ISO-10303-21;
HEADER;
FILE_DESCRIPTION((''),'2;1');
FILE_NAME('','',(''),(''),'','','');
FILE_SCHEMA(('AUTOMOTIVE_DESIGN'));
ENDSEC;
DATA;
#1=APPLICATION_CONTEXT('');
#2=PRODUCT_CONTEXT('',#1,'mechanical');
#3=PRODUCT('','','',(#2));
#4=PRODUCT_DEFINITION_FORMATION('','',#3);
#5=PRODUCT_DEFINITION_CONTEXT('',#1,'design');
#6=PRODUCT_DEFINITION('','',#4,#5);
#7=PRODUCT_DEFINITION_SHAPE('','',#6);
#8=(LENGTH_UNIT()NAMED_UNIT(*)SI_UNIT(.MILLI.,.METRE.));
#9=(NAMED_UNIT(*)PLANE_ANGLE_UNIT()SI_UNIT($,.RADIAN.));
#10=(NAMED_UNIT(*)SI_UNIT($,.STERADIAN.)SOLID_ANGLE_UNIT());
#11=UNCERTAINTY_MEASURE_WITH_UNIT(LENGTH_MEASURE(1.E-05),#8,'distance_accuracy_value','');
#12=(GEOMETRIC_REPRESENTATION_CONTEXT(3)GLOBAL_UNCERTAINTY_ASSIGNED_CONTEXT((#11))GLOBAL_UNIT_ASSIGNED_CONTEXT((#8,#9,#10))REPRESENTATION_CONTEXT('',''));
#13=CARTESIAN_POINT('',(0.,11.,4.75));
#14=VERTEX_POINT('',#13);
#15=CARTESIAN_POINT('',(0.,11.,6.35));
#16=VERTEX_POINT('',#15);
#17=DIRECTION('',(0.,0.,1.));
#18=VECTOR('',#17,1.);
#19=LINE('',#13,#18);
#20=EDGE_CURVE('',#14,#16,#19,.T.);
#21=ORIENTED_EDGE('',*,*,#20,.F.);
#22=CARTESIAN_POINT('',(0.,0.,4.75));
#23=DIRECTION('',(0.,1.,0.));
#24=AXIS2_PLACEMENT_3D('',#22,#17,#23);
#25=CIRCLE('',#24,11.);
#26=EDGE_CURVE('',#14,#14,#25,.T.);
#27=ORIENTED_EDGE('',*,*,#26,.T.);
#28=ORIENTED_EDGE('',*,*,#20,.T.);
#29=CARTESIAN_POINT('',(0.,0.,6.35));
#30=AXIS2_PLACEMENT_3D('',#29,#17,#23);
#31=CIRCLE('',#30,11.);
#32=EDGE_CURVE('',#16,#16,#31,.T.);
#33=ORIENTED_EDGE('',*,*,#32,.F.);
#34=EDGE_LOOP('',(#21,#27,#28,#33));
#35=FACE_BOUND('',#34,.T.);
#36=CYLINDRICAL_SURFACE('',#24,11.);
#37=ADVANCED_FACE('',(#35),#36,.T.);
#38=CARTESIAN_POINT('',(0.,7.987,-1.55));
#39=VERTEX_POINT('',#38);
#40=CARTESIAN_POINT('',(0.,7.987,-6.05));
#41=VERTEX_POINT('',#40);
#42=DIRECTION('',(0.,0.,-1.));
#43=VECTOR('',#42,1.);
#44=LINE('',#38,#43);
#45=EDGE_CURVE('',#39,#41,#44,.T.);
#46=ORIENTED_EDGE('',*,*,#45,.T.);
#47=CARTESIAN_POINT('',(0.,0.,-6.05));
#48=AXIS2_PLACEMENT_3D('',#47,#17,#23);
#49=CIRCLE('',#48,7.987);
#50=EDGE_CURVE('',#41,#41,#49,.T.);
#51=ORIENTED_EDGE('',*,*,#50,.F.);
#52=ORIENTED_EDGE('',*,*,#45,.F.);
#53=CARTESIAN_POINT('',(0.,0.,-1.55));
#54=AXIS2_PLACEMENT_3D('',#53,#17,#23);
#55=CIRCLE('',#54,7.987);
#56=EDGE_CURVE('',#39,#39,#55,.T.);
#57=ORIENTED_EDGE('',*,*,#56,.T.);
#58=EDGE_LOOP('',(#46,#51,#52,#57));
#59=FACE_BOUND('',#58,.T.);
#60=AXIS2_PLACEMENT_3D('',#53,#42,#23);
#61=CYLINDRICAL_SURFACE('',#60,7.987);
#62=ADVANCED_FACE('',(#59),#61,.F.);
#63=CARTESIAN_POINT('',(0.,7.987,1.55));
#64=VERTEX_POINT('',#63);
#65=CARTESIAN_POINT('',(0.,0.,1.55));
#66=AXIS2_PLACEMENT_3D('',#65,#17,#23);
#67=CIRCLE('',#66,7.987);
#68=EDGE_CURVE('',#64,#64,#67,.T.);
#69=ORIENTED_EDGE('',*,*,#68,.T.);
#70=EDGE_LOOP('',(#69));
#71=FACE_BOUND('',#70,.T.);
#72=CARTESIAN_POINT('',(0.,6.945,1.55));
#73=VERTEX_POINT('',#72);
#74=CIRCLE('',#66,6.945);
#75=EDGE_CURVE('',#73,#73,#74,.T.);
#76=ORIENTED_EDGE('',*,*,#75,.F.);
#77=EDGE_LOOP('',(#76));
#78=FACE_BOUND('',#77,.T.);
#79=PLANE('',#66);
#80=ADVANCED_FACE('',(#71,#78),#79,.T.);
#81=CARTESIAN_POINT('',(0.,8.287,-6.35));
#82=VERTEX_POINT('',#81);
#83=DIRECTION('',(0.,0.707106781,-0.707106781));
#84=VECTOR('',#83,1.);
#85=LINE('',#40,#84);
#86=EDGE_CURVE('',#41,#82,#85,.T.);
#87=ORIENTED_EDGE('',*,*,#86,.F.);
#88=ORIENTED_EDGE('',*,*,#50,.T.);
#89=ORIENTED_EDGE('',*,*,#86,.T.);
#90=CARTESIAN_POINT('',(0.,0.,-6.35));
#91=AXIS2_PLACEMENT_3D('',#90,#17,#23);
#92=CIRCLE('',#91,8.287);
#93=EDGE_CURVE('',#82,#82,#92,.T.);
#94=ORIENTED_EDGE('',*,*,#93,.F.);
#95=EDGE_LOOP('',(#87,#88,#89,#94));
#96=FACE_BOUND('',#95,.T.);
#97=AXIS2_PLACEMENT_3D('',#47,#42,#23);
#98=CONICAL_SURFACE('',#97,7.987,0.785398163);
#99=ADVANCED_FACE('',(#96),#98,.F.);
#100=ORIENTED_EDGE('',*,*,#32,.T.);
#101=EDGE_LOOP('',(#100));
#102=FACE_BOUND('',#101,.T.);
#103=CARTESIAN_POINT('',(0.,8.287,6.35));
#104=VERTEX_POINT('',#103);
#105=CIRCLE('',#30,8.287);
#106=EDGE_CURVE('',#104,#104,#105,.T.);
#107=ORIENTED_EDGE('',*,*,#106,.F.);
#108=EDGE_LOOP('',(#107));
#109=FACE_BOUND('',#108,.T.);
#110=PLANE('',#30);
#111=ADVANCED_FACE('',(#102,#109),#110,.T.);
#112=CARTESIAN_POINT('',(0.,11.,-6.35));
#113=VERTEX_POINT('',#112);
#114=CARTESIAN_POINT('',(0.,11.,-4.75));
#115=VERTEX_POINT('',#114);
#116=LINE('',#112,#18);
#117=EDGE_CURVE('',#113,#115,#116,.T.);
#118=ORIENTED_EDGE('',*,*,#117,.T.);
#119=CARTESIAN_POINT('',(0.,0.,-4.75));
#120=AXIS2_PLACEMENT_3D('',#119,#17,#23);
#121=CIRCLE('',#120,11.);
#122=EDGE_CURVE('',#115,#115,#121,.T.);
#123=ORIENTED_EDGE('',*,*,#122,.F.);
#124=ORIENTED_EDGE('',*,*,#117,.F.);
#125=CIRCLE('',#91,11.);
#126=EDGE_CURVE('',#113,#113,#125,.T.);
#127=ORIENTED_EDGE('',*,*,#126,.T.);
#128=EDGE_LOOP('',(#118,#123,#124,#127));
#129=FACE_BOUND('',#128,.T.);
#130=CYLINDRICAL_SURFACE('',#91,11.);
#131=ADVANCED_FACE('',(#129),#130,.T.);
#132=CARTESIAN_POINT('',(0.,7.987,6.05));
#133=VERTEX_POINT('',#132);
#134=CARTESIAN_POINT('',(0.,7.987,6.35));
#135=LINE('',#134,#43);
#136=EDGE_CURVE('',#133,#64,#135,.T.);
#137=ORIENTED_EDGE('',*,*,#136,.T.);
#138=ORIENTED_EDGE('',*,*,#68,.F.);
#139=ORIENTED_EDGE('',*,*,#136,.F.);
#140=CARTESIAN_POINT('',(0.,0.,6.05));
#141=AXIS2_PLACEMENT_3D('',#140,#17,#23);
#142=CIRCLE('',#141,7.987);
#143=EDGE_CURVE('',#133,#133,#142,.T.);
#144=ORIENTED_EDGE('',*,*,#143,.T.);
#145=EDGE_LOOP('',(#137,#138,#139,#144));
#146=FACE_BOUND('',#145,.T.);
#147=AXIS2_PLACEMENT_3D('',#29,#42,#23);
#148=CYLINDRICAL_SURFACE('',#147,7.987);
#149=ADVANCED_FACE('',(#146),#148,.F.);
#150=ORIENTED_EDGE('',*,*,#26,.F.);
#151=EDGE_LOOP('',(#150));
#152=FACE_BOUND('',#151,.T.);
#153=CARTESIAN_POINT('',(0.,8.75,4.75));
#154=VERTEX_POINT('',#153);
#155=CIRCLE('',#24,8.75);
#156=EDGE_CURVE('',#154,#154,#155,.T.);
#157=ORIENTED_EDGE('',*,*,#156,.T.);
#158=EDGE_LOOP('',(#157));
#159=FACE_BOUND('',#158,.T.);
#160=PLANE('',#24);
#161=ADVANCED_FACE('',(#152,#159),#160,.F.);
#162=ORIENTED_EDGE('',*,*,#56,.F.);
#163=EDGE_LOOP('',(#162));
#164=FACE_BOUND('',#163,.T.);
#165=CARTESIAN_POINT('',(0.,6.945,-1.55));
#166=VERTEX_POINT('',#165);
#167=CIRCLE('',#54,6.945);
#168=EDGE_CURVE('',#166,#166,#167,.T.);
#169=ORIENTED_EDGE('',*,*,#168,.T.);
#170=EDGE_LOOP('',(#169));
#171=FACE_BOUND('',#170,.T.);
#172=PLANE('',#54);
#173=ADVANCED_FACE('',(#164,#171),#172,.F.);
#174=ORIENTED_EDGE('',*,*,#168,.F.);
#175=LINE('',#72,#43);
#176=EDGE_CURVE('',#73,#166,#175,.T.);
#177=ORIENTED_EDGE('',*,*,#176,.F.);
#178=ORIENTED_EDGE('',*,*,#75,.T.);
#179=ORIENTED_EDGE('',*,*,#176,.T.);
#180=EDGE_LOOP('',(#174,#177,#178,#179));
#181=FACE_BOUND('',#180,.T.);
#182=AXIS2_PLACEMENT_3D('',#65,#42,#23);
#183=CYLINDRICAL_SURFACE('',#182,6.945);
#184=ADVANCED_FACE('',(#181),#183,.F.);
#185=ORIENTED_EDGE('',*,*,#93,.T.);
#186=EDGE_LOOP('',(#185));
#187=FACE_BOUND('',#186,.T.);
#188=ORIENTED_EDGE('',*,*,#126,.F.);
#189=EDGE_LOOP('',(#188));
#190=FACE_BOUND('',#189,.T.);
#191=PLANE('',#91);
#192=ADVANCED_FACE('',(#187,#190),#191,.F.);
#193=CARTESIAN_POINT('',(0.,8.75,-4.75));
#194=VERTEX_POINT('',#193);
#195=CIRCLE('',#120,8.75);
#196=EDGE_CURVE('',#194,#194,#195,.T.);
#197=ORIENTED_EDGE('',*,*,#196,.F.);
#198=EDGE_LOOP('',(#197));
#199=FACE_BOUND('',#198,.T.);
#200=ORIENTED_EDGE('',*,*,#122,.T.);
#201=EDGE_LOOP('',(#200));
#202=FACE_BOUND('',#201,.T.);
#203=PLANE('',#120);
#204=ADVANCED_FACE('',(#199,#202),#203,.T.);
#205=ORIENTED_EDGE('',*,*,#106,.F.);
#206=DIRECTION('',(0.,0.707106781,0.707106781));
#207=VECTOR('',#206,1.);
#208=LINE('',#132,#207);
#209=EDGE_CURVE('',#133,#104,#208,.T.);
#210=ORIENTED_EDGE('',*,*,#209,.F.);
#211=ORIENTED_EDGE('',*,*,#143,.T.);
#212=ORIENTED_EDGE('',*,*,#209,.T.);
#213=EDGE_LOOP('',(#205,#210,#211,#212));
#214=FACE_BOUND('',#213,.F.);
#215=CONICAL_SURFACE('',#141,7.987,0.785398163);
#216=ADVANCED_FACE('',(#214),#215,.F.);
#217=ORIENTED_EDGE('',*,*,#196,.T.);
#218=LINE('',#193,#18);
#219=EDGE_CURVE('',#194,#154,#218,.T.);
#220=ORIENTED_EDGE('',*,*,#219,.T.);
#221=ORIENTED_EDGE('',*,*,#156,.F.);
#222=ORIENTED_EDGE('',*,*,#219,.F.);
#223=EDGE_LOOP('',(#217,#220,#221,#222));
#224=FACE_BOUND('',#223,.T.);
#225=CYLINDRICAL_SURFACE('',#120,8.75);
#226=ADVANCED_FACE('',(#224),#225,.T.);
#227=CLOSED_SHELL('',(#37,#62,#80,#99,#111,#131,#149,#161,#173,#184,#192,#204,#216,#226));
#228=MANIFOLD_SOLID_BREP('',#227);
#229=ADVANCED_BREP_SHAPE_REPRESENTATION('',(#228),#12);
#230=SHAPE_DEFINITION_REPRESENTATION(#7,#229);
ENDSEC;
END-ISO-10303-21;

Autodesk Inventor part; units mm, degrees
ref_plane "YZ Plane" through (0, 0, 0) normal (1, 0, 0) x (0, 1, 0)
ref_plane "XZ Plane" through (0, 0, 0) normal (0, 1, 0) x (-1, 0, 0)
ref_plane "XY Plane" through (0, 0, 0) normal (0, 0, 1) x (1, 0, 0)
sketch "Sketch1" plane through (0, 0, 0) normal (1, 0, 0) x (0, 1, 0)
  line L0 (7.987, -6.35) -> (11, -6.35)
  line L1 (11, -6.35) -> (11, -4.75)
  line L2 (11, -4.75) -> (8.75, -4.75)
  line L3 (8.75, -4.75) -> (8.75, 4.75)
  line L4 (8.75, 4.75) -> (11, 4.75)
  line L5 (11, 4.75) -> (11, 6.35)
  line L6 (11, 6.35) -> (7.987, 6.35)
  line L7 (7.987, 6.35) -> (7.987, 1.55)
  line L8 (7.987, 1.55) -> (6.945, 1.55)
  line L9 (6.945, 1.55) -> (6.945, -1.55)
  line L10 (6.945, -1.55) -> (7.987, -1.55)
  line L11 (7.987, -1.55) -> (7.987, -6.35)
  line L12 (0, 0) -> (0, 23.3621) construction
  line L13 (6.945, 0) -> (8.75, 0) construction
  dimension "d0" = 9.5
  dimension "d1" = 15.974
  dimension "d2" = 13.89
  dimension "d3" = 3.1
  dimension "d4" = 12.7
  dimension "d5" = 17.5
  dimension "d6" = 22
revolve "Revolution1" add sketch "Sketch1" angle 360 about axis through (0, 0, 0) along (0, 0, 1)
chamfer "Chamfer1" distance 0.3 angle 45 2 edges at (0, -7.987, 6.35) (0, -7.987, -6.35)
ref_plane "Work Plane1" through (0, 0, 0) normal (0, 0, -1) x (-1, 0, 0)
properties part number "idler pulley" material "ABS Plastic"
